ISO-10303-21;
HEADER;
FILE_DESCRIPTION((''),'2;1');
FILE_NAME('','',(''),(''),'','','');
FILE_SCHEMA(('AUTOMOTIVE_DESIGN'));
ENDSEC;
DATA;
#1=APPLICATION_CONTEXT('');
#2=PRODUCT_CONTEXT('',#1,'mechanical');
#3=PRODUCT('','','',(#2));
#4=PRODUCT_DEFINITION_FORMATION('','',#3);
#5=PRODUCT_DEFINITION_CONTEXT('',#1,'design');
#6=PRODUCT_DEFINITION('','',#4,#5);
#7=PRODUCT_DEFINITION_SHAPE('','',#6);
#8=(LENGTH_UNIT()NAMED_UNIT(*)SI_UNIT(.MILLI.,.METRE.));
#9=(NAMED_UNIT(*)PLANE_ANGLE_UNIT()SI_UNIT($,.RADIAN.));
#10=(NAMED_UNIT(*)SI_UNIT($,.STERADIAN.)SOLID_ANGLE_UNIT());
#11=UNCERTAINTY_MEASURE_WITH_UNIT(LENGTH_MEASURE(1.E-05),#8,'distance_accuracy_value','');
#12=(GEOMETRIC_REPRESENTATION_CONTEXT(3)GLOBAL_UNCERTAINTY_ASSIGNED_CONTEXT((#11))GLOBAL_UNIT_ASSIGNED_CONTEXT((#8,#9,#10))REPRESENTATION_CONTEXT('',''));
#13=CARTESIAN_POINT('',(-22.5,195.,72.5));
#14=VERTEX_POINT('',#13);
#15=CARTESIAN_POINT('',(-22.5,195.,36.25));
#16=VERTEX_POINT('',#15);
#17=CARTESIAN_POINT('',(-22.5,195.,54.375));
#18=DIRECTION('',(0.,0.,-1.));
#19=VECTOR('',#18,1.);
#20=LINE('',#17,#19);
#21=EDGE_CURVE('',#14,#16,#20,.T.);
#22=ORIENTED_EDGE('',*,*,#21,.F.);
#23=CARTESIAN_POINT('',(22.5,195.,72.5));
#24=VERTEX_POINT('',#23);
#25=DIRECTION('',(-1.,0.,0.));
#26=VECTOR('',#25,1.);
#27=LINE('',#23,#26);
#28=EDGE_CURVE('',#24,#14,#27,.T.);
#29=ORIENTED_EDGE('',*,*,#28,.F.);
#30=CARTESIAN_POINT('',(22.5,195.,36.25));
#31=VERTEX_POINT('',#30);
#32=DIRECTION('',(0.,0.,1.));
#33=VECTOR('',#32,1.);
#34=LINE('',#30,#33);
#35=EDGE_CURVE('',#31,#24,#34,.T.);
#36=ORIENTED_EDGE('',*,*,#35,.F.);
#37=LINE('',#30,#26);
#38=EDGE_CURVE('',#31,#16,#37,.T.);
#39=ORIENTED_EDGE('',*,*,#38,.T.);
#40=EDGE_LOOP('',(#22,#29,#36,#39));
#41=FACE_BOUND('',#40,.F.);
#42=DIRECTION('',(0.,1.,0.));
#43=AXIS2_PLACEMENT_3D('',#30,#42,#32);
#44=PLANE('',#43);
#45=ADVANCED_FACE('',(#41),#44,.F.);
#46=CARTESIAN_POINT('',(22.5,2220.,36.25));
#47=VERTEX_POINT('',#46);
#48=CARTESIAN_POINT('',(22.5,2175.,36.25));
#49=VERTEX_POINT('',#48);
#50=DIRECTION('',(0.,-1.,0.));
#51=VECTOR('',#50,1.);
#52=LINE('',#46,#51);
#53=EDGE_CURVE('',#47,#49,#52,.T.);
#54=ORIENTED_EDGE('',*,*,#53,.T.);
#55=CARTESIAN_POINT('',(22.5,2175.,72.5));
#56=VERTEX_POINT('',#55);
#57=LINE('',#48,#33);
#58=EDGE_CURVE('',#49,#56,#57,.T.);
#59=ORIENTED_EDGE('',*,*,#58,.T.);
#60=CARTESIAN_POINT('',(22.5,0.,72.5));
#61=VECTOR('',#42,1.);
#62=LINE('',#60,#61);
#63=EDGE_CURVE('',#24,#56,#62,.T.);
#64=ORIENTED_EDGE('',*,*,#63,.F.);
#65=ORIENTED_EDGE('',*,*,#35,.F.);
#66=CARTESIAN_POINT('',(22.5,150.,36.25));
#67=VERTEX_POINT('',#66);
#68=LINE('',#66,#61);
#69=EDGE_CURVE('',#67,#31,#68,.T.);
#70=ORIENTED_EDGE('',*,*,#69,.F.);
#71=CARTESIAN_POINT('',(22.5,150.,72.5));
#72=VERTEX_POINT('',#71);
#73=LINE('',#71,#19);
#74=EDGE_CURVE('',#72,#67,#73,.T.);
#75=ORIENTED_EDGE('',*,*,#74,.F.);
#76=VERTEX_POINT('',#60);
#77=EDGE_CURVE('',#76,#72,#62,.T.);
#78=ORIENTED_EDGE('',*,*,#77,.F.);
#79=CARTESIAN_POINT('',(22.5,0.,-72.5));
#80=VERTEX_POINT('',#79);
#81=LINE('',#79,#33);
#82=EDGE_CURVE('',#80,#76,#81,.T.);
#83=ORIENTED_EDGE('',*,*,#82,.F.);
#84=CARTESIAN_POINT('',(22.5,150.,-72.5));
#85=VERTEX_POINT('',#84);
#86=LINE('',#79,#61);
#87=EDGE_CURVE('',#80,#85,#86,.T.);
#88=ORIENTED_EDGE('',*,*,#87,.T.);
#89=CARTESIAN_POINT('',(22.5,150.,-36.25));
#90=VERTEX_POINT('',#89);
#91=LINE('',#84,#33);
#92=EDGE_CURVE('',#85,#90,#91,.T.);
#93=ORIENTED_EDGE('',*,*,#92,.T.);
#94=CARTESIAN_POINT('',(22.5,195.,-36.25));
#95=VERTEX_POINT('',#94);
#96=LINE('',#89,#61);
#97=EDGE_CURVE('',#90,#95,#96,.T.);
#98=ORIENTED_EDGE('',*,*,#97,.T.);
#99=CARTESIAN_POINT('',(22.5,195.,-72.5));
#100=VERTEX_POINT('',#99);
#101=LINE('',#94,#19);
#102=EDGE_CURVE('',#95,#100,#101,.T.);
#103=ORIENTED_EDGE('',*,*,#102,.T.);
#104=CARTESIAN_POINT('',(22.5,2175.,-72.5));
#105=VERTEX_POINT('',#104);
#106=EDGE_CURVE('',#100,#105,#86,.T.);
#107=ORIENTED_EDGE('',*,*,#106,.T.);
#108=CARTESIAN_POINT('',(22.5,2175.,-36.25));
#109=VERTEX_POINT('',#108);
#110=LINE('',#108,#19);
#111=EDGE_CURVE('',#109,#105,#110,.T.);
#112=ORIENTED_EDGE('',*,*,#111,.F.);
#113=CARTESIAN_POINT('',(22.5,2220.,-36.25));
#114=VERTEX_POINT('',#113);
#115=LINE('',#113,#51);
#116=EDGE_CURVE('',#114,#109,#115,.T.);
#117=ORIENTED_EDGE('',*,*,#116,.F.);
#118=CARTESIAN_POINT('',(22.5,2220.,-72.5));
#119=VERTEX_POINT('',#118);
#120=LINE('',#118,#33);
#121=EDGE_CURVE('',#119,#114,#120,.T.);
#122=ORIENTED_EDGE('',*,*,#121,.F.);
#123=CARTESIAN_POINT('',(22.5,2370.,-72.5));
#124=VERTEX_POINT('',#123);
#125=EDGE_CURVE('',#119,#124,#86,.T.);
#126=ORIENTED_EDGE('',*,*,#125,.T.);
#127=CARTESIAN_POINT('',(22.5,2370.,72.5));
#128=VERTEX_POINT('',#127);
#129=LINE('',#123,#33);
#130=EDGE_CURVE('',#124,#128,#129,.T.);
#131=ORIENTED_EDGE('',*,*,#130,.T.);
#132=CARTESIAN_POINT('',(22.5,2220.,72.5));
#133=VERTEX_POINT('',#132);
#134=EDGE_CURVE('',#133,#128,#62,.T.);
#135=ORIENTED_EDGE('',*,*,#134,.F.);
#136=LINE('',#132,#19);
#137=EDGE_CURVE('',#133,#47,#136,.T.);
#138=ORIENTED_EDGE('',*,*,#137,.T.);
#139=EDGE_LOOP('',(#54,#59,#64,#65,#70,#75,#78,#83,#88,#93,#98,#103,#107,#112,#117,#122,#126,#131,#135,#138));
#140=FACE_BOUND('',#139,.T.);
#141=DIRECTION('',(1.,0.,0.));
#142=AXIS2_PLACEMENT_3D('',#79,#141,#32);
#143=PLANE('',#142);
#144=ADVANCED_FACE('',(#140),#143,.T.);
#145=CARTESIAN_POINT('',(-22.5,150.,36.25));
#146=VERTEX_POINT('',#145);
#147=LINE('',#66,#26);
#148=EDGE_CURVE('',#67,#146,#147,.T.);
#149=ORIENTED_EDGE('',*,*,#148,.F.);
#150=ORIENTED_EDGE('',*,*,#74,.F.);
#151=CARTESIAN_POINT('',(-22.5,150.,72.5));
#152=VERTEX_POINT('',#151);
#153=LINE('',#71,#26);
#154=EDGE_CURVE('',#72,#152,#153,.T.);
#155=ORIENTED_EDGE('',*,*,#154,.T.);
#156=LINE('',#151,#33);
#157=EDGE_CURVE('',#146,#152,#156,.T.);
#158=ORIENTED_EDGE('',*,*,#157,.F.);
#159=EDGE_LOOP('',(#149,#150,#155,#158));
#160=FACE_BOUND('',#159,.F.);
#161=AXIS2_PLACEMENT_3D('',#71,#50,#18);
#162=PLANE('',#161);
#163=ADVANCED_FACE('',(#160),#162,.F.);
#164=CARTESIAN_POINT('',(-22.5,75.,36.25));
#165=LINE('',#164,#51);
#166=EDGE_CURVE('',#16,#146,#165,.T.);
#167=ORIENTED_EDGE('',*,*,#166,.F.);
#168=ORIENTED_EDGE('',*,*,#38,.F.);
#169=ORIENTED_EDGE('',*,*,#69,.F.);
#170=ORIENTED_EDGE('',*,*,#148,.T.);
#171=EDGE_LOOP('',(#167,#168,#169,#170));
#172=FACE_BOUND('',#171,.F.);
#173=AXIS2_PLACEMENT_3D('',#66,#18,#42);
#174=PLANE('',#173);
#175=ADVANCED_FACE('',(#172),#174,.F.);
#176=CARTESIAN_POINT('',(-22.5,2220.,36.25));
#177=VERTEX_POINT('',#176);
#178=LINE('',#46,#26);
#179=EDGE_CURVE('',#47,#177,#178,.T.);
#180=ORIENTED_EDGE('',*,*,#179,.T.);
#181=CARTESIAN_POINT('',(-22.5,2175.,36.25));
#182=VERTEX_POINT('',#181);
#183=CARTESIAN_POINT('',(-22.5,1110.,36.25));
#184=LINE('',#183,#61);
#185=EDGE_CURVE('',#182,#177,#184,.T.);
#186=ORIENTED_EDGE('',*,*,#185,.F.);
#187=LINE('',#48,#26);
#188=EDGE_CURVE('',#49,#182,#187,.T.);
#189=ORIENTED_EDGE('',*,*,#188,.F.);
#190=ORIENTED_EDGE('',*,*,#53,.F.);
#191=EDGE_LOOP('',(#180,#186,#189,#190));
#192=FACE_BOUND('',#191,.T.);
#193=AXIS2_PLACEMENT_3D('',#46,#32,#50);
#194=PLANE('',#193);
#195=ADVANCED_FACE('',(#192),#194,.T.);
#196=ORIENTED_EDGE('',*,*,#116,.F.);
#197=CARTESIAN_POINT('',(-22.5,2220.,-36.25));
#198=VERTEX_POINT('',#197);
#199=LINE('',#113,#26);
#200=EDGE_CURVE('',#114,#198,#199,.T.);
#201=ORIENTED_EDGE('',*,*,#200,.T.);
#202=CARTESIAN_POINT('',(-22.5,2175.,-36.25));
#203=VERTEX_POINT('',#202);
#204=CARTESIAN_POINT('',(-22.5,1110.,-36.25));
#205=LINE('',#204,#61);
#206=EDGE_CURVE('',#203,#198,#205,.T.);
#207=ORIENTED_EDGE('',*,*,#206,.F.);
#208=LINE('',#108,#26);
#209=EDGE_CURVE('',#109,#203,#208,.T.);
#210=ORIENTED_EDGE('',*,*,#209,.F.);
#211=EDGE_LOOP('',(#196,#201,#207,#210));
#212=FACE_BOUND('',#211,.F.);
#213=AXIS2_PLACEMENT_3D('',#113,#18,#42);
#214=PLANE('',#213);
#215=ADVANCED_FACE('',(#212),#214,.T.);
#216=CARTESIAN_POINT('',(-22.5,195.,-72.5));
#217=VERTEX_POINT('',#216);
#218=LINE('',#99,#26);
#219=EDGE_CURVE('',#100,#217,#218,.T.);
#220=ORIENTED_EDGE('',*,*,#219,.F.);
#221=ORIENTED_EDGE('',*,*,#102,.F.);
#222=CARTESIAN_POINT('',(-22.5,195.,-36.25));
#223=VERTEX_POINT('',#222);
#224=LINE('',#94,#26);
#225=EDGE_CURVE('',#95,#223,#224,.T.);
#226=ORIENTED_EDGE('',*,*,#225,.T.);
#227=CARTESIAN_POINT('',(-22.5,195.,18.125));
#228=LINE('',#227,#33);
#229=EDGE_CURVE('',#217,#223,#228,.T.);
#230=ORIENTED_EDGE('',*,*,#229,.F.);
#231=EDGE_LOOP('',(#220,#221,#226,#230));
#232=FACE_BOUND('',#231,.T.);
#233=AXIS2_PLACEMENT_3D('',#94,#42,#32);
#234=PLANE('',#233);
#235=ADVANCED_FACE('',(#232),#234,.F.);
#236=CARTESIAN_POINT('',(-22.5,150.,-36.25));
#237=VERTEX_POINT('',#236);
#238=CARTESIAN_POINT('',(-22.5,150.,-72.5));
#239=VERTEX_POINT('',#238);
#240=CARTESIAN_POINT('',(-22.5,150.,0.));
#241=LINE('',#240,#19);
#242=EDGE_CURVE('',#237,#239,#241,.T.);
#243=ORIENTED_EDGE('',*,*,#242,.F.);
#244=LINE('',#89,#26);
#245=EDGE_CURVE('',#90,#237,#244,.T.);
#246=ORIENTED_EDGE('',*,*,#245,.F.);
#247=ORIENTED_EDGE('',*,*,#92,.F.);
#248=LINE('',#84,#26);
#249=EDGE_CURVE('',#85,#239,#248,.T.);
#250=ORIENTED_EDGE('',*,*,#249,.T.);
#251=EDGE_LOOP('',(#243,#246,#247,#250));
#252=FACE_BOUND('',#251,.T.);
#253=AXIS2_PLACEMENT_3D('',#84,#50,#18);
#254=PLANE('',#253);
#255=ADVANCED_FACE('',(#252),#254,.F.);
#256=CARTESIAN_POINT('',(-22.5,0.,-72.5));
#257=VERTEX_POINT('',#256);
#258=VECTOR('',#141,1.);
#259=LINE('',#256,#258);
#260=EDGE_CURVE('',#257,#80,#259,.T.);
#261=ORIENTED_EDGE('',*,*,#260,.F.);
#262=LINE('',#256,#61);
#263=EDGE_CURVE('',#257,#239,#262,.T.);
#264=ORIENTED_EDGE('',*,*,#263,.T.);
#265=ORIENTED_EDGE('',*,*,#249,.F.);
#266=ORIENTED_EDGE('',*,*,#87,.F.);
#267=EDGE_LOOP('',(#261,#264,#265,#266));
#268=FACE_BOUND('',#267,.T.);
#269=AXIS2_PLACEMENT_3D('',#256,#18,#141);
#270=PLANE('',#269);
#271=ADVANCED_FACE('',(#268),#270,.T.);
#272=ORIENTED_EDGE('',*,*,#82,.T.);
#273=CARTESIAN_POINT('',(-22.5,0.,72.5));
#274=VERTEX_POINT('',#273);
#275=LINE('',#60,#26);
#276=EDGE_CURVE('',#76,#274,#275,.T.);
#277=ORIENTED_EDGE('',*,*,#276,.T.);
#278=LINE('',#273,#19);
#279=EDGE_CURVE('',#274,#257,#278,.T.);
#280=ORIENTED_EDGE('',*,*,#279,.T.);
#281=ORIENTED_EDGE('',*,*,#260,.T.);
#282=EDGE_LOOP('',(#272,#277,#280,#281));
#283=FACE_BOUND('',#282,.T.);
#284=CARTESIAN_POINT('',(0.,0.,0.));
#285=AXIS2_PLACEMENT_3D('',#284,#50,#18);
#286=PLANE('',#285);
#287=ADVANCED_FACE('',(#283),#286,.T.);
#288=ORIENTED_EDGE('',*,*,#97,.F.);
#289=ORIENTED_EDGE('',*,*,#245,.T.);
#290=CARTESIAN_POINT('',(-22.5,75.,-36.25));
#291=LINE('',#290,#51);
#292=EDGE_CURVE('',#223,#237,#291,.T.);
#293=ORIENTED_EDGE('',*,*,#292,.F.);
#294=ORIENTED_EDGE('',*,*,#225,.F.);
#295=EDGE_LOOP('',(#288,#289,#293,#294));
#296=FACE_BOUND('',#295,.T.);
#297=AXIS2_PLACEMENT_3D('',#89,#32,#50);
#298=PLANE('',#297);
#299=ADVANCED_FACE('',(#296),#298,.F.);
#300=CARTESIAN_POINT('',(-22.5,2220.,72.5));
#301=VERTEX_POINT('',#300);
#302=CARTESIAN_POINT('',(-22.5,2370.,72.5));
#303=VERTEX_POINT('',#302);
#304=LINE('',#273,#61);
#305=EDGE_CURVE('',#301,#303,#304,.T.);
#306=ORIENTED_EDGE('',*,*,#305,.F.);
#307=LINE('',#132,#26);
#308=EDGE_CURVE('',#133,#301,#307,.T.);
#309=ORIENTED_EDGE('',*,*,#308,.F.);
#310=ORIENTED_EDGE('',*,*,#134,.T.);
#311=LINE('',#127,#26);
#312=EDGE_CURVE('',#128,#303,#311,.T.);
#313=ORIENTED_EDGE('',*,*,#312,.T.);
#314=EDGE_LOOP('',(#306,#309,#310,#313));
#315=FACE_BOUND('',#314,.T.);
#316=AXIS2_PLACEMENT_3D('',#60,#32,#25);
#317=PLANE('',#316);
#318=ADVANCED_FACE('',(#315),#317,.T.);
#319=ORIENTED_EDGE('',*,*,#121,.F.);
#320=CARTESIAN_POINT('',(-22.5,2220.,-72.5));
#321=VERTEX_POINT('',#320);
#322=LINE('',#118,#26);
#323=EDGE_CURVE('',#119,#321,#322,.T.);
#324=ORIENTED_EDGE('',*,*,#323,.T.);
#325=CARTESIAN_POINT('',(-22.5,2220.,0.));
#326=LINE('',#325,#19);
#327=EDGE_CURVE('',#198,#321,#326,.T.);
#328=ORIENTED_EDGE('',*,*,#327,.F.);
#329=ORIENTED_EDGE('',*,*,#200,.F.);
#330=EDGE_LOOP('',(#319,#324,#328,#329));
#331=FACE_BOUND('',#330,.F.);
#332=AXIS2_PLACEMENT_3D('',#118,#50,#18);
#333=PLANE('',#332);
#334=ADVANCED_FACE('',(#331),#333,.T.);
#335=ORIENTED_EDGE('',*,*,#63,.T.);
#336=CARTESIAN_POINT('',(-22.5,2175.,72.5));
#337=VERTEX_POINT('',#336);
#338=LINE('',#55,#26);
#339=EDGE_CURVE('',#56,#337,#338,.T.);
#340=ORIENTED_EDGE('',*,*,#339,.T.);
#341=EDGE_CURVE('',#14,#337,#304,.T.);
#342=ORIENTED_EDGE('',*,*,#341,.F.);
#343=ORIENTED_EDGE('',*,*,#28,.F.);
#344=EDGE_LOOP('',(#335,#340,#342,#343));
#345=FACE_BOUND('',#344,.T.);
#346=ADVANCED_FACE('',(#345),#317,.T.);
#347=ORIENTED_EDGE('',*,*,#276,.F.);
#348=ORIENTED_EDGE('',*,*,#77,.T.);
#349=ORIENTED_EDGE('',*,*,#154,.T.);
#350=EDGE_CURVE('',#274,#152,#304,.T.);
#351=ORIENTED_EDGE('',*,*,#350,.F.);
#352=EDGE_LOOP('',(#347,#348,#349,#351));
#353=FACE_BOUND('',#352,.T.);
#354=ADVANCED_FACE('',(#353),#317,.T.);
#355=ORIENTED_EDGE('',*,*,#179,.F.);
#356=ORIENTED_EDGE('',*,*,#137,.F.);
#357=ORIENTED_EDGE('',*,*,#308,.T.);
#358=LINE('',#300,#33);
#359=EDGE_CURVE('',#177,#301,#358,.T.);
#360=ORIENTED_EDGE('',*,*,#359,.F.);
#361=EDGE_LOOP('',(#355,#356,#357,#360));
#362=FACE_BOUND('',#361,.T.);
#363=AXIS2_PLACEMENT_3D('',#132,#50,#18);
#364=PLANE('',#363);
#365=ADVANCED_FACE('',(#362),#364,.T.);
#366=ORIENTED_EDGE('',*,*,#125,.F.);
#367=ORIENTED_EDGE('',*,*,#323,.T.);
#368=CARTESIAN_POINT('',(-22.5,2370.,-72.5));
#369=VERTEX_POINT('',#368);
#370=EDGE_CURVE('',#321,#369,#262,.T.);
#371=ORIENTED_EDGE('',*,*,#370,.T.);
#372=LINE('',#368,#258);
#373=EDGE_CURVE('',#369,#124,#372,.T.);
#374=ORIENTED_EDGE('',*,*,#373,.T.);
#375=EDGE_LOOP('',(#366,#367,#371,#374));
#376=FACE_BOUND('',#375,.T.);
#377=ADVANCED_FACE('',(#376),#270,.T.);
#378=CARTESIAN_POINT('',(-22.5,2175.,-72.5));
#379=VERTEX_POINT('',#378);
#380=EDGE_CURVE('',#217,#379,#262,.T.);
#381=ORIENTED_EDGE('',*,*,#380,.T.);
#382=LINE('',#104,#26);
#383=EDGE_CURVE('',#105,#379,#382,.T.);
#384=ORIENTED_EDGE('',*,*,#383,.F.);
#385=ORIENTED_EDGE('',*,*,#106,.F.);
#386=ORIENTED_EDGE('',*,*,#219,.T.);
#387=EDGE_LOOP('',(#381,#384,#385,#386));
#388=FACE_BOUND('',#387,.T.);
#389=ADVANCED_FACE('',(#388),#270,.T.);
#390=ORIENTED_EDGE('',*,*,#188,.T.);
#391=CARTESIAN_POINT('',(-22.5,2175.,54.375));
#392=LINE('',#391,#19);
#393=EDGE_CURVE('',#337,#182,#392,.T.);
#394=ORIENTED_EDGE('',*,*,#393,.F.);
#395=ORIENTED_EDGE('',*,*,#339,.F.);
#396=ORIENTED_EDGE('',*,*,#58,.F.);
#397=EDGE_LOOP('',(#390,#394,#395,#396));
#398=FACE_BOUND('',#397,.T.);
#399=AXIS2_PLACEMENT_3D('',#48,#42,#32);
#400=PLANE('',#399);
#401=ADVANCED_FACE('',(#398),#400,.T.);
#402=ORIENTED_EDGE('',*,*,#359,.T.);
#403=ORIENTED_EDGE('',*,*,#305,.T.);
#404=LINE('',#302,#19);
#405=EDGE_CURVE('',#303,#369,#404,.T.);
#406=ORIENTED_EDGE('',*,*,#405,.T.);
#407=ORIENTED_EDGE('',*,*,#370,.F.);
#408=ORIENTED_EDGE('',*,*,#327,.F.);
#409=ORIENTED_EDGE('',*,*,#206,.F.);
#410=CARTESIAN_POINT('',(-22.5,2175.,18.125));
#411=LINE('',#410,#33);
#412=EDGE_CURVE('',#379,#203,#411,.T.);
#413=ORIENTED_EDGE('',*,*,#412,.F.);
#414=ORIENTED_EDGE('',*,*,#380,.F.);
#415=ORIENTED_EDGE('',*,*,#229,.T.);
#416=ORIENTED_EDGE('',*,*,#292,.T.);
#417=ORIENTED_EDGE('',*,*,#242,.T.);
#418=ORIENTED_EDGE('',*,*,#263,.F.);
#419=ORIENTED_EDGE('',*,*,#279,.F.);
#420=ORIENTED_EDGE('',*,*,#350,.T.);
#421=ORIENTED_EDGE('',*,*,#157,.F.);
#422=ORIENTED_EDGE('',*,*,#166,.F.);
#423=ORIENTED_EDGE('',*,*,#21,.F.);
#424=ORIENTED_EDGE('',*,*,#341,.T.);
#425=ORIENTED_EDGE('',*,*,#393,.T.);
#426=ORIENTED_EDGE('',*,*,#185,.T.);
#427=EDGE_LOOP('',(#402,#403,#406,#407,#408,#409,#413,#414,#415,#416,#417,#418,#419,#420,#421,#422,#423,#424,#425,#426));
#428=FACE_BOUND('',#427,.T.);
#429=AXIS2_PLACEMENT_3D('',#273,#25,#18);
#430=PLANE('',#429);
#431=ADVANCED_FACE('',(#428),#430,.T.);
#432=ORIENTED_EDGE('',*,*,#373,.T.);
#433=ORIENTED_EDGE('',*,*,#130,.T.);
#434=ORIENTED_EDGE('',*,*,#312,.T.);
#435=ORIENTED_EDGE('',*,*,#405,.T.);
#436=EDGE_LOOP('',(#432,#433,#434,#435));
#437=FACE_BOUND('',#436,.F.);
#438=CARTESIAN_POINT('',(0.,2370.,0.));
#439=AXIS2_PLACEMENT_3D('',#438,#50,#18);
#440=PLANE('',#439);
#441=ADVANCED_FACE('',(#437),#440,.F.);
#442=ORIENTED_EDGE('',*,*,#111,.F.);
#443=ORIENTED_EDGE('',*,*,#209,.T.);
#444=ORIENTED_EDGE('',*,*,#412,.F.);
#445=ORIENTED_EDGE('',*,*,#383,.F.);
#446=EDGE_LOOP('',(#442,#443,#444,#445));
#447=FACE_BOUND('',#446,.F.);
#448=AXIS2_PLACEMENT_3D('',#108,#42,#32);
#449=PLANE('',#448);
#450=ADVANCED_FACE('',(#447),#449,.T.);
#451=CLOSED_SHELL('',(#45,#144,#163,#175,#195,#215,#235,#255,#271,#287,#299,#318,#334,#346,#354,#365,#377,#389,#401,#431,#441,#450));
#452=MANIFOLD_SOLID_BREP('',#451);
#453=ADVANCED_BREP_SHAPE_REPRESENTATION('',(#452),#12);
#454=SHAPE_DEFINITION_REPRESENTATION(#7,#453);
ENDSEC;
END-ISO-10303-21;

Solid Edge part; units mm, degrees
sketch "Sketch1" plane through (0, 0, 0) normal (0, -1, 0) x (1, 0, 0)
  line L0 (-22.5, -72.5) -> (22.5, -72.5)
  line L1 (22.5, -72.5) -> (22.5, 72.5)
  line L2 (22.5, 72.5) -> (-22.5, 72.5)
  line L3 (-22.5, 72.5) -> (-22.5, -72.5)
extrude "Protrusion1" add sketch "Sketch1" against normal blind 2370
sketch "Sketch2" plane through (22.5, 1185, 0) normal (1, 0, 0) x (0, 1, 0)
  line L0 (1035, 72.5) -> (1035, 36.25)
  line L1 (1035, 36.25) -> (990, 36.25)
  line L2 (990, 36.25) -> (990, 72.5)
  line L3 (990, 72.5) -> (1035, 72.5)
  line L4 (-1035, 72.5) -> (-1035, 36.25)
  line L5 (-1035, 36.25) -> (-990, 36.25)
  line L6 (-990, 36.25) -> (-990, 72.5)
  line L7 (-990, 72.5) -> (-1035, 72.5)
extrude "ExtrudedCutout_1" cut sketch "Sketch2" against normal blind 89.2118
mirror "Mirror1" about plane through (0, 0, 0) normal (0, 0, -1) of "ExtrudedCutout_1"
properties material "Wood, Pine"
